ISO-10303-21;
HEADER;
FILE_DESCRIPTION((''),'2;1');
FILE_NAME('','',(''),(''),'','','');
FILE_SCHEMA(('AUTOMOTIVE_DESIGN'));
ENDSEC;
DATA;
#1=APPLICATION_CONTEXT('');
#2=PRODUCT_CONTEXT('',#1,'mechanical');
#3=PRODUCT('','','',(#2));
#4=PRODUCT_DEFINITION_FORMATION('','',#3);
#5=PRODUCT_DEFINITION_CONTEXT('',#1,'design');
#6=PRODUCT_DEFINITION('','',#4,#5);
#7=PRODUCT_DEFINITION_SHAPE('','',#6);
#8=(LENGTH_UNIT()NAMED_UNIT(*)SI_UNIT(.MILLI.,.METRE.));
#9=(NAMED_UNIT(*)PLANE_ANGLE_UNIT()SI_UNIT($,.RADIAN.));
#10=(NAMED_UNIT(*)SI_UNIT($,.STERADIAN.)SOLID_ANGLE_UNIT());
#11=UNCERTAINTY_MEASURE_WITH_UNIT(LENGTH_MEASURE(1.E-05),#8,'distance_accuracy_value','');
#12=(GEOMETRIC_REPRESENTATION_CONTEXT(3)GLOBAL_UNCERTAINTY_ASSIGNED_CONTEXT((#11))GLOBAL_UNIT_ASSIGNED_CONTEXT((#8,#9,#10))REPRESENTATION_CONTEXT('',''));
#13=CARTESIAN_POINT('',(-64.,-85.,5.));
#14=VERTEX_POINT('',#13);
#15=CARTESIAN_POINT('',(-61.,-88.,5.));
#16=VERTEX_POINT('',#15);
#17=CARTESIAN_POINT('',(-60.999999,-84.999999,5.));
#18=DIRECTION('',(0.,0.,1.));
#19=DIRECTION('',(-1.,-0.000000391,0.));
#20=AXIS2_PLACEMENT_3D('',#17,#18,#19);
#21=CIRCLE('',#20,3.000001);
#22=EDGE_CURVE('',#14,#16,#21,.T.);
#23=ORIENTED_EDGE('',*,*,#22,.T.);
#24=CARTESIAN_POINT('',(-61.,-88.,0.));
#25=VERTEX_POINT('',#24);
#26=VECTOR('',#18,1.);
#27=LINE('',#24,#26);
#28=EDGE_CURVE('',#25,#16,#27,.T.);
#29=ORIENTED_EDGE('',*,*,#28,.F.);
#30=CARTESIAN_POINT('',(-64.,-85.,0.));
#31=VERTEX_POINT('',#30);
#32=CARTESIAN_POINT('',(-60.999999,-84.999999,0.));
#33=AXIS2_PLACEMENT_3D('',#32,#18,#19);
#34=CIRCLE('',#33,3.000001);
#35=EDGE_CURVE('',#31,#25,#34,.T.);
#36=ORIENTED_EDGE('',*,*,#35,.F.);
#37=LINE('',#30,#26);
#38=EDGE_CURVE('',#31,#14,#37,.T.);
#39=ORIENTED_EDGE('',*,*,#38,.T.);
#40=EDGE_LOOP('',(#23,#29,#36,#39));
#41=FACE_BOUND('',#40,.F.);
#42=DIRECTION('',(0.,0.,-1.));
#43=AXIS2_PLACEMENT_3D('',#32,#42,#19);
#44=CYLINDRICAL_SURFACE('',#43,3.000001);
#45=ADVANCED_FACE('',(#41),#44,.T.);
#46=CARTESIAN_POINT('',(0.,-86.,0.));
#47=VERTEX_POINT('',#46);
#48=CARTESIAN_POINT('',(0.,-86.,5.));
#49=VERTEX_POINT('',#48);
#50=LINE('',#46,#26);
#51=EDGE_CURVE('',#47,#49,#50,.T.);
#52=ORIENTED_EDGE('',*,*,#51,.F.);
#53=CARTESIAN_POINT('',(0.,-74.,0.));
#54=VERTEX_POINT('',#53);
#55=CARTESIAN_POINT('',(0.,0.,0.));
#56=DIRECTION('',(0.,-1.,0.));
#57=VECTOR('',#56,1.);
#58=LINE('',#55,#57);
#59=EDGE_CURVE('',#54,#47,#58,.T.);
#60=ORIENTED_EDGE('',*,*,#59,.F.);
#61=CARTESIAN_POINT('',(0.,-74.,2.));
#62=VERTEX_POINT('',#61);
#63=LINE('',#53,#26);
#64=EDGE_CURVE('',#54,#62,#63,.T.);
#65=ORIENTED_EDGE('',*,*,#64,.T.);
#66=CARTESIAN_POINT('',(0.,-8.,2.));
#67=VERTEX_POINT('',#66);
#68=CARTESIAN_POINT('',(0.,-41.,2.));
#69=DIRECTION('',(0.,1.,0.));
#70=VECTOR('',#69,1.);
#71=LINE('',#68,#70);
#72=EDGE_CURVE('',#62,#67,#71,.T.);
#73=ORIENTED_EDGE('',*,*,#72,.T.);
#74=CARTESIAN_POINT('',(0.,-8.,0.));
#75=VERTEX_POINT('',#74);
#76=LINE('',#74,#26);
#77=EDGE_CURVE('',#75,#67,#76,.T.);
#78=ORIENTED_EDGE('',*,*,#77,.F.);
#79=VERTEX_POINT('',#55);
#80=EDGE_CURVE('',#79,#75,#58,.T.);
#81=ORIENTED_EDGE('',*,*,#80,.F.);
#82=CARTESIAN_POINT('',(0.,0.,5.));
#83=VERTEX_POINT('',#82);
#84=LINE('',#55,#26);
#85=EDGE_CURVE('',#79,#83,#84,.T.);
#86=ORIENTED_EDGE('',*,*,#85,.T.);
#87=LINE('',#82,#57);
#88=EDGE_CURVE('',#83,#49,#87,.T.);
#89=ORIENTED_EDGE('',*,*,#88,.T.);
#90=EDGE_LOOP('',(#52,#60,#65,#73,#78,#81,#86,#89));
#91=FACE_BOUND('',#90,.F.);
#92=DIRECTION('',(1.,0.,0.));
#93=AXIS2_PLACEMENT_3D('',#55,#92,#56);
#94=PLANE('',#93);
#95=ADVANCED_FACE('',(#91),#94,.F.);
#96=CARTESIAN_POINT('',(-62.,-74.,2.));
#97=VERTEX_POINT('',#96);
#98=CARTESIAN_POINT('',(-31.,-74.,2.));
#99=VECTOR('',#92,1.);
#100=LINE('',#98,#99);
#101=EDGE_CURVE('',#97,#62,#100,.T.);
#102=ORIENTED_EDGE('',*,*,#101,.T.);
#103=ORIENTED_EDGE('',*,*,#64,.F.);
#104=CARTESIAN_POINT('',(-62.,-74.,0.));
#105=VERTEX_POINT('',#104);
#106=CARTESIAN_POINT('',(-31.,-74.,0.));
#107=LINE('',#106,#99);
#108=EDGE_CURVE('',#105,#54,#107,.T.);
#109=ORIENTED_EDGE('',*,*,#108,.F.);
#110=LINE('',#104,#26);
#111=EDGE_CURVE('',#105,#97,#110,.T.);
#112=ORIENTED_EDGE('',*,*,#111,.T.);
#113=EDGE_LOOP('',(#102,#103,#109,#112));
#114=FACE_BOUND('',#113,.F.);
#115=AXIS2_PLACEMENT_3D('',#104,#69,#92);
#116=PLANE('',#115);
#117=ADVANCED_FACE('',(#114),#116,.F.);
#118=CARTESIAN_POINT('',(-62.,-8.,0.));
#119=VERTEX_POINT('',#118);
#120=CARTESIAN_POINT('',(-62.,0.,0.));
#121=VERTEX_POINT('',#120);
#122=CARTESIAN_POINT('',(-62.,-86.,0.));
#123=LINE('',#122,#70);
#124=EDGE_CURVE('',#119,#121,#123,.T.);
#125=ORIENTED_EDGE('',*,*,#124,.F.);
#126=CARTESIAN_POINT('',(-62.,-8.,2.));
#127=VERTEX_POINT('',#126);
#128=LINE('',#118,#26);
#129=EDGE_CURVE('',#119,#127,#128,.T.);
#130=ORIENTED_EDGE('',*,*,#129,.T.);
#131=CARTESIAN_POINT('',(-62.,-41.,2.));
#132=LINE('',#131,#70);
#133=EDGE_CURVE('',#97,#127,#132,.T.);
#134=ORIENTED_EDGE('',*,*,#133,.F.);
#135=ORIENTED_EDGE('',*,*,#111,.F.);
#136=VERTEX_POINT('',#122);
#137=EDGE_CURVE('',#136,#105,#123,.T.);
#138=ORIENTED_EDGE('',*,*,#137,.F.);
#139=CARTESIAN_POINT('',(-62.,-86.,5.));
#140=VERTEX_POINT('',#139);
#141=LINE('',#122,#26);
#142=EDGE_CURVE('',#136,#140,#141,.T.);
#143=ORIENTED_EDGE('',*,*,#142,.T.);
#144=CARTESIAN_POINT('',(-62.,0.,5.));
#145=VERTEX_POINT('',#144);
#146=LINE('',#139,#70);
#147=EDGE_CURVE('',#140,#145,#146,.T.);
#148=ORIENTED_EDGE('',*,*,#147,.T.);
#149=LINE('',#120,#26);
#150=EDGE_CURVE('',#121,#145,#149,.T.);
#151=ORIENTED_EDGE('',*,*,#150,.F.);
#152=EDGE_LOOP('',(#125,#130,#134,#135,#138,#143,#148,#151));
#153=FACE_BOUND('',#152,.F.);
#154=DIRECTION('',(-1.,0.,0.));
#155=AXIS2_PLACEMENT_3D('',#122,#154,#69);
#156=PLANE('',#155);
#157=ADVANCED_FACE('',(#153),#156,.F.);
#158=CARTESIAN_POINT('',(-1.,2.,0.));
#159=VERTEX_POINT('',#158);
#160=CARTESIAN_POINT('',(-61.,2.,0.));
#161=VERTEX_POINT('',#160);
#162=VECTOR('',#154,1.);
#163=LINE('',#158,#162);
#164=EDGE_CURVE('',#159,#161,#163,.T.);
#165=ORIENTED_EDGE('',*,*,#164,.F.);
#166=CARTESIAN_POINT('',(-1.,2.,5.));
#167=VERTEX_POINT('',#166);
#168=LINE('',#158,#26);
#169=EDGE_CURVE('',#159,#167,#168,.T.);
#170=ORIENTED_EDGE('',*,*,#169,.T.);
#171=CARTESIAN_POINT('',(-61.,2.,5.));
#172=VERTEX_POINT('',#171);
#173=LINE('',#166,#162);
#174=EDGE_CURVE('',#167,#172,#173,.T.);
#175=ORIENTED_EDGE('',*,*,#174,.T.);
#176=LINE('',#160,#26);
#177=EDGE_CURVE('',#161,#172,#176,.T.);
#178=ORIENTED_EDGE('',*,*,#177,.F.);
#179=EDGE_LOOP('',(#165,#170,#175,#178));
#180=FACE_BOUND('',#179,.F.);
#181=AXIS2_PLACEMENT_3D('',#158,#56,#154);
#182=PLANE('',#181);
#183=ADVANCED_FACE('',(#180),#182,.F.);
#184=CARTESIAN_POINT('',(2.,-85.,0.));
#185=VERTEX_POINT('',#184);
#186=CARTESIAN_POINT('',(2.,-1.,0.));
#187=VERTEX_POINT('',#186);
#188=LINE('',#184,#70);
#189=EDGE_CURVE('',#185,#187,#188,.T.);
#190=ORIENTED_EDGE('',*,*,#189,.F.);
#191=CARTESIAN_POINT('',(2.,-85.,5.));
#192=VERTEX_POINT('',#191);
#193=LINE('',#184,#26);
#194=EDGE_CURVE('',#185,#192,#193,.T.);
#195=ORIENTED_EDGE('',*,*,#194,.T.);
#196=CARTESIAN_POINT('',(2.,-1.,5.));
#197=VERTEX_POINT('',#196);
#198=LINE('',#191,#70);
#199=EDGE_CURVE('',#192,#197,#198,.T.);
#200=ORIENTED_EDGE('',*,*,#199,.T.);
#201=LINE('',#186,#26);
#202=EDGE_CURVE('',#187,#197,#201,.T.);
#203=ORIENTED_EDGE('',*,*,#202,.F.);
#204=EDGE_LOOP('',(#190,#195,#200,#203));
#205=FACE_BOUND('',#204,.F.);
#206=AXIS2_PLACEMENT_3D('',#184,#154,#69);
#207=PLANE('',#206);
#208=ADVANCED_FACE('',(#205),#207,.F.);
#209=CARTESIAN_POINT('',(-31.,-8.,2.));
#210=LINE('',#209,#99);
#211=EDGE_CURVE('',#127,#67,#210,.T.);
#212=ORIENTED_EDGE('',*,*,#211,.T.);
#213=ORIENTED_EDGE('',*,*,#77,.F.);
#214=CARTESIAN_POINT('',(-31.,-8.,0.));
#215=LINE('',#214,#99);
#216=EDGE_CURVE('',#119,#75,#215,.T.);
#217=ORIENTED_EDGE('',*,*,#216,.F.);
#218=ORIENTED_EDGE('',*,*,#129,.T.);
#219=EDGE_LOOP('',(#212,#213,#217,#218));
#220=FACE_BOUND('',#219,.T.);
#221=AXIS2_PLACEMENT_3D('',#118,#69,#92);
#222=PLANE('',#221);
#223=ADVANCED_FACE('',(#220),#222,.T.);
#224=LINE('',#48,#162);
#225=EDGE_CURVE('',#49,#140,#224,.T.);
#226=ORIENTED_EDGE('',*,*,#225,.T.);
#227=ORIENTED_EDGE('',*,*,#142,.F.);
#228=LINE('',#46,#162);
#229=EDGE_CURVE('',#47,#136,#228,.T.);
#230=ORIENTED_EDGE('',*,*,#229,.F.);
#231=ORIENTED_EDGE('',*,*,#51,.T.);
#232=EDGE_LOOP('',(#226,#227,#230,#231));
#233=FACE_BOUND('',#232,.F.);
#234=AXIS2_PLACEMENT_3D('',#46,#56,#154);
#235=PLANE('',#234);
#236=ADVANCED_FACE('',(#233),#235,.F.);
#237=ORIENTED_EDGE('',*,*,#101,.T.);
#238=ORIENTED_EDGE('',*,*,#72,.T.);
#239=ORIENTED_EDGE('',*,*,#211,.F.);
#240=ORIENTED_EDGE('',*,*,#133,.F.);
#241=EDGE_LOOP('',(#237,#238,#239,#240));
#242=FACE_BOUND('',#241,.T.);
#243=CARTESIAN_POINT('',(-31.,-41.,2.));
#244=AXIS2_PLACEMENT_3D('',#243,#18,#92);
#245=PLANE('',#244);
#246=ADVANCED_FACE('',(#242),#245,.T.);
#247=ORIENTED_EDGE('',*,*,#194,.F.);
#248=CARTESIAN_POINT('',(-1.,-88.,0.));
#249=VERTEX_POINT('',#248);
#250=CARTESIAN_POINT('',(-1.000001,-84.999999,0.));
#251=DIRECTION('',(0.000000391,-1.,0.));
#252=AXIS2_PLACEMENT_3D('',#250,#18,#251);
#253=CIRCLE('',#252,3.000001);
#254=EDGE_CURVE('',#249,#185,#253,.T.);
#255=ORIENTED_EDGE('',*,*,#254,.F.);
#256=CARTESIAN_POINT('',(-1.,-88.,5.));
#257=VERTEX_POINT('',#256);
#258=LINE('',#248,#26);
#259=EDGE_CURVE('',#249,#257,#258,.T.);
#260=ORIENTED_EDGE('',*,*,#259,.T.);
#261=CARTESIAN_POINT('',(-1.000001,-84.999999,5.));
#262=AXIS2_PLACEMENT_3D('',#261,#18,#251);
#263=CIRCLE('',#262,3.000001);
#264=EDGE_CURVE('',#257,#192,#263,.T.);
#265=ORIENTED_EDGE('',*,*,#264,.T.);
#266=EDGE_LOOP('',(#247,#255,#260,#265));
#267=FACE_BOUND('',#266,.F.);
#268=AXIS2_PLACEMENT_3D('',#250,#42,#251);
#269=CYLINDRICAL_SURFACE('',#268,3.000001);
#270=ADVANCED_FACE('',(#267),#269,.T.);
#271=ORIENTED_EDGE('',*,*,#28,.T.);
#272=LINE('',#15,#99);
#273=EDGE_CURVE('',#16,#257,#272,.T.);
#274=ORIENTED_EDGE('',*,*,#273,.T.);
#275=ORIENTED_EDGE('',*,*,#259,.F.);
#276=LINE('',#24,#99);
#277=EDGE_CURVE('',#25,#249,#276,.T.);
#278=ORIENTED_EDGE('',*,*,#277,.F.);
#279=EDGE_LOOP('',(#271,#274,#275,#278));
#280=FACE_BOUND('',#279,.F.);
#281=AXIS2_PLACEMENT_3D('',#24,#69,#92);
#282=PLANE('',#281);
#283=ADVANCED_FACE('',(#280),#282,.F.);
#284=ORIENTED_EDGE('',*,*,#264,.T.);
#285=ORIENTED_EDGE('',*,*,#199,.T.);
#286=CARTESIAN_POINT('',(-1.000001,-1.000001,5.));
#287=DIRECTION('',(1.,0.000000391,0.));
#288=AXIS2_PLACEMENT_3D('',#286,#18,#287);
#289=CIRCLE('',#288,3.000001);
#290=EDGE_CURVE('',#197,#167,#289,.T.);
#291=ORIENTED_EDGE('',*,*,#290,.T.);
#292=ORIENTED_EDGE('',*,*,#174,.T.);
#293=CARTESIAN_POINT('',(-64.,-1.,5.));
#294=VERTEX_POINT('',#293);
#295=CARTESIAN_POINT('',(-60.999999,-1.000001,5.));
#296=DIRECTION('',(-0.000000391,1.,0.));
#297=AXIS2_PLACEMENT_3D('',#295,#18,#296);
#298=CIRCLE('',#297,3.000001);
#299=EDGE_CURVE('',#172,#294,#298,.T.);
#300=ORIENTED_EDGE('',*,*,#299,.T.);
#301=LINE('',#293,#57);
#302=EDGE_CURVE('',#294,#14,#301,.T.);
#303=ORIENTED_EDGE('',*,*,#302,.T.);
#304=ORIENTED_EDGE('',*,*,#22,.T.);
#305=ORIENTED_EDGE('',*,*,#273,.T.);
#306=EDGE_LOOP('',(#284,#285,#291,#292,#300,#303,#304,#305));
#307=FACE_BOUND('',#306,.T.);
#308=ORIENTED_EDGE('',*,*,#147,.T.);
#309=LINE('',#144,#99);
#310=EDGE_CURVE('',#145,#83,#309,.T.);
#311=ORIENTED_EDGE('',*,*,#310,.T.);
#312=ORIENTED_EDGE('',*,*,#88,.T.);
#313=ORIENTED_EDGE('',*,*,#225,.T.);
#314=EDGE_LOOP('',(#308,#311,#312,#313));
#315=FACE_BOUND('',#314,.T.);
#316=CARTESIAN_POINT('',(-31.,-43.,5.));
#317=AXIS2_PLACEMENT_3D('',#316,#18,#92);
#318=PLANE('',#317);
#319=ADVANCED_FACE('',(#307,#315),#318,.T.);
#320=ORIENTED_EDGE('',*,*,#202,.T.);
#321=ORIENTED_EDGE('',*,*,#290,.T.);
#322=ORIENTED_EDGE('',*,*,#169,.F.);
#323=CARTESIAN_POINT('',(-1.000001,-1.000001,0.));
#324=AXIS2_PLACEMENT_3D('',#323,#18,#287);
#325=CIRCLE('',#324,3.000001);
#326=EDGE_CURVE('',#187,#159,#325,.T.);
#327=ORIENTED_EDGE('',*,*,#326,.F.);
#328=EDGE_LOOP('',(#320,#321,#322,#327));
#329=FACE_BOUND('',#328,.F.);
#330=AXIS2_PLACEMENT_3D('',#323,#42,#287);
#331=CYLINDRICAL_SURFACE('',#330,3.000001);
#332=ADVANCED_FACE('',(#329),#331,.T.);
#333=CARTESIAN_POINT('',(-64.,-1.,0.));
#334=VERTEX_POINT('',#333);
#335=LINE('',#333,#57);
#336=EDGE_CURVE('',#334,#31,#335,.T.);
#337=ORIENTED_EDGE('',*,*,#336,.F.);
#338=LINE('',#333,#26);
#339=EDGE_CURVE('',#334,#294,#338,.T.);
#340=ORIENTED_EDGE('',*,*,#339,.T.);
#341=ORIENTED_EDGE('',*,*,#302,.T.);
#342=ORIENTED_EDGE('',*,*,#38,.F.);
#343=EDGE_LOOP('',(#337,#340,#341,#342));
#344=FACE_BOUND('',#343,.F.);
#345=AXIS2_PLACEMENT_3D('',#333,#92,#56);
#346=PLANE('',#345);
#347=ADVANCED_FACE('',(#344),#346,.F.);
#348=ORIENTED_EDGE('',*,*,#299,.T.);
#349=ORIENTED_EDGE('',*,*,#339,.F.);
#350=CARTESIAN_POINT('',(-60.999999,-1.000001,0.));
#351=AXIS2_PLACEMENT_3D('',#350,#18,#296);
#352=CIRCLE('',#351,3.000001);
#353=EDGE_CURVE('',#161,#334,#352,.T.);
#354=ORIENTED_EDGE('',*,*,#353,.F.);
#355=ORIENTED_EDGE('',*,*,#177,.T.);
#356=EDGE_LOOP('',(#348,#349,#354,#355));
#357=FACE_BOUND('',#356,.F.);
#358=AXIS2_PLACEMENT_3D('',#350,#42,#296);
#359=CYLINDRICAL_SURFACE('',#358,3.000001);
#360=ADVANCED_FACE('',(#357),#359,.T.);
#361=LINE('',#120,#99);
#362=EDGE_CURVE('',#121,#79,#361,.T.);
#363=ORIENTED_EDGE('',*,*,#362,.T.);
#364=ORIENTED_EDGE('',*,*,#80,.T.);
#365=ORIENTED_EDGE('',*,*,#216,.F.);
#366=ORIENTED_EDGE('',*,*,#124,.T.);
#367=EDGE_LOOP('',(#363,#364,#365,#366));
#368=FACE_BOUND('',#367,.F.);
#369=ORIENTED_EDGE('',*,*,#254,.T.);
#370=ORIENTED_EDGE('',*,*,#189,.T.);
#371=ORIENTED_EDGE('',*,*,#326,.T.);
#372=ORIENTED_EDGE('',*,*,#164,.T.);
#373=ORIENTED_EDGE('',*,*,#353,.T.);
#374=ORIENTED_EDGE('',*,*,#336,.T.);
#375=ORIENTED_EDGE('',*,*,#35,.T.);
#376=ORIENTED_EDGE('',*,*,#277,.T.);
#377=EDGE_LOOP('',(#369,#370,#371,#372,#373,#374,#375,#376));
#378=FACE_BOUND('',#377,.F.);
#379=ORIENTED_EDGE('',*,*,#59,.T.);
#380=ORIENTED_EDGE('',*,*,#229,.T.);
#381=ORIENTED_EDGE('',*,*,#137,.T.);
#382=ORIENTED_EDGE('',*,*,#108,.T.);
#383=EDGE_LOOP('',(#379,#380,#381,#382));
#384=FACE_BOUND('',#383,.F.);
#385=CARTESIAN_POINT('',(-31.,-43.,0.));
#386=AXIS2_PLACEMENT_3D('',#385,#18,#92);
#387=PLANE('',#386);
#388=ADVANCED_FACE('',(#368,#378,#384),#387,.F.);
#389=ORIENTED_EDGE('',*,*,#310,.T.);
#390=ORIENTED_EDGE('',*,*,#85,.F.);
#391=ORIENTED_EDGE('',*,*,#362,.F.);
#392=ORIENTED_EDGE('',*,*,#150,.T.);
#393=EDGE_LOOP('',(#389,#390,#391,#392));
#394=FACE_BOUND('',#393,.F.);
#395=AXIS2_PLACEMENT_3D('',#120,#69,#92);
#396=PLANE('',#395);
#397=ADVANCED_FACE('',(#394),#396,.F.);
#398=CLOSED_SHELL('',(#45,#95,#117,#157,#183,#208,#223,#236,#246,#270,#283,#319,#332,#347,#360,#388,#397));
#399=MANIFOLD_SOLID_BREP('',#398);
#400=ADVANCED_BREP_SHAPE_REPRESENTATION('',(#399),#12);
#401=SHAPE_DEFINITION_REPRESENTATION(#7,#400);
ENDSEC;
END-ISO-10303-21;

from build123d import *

# Parameters (mm, degrees)
F1_DEPTH = 5
F0_W     = 62
F0_H     = 66
F2_DEPTH = 2


with BuildPart() as f1:
    # F0 (on Top) → F1 (new body)
    with BuildSketch(Plane.XY):
        with BuildLine():
            ThreePointArc((2, -1), (1.12132, 1.12132), (-1, 2))
            Line((-1, 2), (-61, 2))
            ThreePointArc((-61, 2), (-63.12132, 1.12132), (-64, -1))
            Line((-64, -1), (-64, -85))
            ThreePointArc((-64, -85), (-63.12132, -87.12132), (-61, -88))
            Line((-61, -88), (-1, -88))
            ThreePointArc((-1, -88), (1.12132, -87.12132), (2, -85))
            Line((2, -85), (2, -1))
        make_face()
        Polygon((-62, 0), (0, 0), (0, -8), (0, -74), (0, -86), (-62, -86), (-62, -74), (-62, -8), align=None, mode=Mode.SUBTRACT)
    extrude(amount=F1_DEPTH)

    # F0 (on Top) → F2 (join)
    with BuildSketch(Plane.XY):
        with Locations((-31, -41)):
            Rectangle(F0_W, F0_H)
    extrude(amount=F2_DEPTH)


solid = f1.part
